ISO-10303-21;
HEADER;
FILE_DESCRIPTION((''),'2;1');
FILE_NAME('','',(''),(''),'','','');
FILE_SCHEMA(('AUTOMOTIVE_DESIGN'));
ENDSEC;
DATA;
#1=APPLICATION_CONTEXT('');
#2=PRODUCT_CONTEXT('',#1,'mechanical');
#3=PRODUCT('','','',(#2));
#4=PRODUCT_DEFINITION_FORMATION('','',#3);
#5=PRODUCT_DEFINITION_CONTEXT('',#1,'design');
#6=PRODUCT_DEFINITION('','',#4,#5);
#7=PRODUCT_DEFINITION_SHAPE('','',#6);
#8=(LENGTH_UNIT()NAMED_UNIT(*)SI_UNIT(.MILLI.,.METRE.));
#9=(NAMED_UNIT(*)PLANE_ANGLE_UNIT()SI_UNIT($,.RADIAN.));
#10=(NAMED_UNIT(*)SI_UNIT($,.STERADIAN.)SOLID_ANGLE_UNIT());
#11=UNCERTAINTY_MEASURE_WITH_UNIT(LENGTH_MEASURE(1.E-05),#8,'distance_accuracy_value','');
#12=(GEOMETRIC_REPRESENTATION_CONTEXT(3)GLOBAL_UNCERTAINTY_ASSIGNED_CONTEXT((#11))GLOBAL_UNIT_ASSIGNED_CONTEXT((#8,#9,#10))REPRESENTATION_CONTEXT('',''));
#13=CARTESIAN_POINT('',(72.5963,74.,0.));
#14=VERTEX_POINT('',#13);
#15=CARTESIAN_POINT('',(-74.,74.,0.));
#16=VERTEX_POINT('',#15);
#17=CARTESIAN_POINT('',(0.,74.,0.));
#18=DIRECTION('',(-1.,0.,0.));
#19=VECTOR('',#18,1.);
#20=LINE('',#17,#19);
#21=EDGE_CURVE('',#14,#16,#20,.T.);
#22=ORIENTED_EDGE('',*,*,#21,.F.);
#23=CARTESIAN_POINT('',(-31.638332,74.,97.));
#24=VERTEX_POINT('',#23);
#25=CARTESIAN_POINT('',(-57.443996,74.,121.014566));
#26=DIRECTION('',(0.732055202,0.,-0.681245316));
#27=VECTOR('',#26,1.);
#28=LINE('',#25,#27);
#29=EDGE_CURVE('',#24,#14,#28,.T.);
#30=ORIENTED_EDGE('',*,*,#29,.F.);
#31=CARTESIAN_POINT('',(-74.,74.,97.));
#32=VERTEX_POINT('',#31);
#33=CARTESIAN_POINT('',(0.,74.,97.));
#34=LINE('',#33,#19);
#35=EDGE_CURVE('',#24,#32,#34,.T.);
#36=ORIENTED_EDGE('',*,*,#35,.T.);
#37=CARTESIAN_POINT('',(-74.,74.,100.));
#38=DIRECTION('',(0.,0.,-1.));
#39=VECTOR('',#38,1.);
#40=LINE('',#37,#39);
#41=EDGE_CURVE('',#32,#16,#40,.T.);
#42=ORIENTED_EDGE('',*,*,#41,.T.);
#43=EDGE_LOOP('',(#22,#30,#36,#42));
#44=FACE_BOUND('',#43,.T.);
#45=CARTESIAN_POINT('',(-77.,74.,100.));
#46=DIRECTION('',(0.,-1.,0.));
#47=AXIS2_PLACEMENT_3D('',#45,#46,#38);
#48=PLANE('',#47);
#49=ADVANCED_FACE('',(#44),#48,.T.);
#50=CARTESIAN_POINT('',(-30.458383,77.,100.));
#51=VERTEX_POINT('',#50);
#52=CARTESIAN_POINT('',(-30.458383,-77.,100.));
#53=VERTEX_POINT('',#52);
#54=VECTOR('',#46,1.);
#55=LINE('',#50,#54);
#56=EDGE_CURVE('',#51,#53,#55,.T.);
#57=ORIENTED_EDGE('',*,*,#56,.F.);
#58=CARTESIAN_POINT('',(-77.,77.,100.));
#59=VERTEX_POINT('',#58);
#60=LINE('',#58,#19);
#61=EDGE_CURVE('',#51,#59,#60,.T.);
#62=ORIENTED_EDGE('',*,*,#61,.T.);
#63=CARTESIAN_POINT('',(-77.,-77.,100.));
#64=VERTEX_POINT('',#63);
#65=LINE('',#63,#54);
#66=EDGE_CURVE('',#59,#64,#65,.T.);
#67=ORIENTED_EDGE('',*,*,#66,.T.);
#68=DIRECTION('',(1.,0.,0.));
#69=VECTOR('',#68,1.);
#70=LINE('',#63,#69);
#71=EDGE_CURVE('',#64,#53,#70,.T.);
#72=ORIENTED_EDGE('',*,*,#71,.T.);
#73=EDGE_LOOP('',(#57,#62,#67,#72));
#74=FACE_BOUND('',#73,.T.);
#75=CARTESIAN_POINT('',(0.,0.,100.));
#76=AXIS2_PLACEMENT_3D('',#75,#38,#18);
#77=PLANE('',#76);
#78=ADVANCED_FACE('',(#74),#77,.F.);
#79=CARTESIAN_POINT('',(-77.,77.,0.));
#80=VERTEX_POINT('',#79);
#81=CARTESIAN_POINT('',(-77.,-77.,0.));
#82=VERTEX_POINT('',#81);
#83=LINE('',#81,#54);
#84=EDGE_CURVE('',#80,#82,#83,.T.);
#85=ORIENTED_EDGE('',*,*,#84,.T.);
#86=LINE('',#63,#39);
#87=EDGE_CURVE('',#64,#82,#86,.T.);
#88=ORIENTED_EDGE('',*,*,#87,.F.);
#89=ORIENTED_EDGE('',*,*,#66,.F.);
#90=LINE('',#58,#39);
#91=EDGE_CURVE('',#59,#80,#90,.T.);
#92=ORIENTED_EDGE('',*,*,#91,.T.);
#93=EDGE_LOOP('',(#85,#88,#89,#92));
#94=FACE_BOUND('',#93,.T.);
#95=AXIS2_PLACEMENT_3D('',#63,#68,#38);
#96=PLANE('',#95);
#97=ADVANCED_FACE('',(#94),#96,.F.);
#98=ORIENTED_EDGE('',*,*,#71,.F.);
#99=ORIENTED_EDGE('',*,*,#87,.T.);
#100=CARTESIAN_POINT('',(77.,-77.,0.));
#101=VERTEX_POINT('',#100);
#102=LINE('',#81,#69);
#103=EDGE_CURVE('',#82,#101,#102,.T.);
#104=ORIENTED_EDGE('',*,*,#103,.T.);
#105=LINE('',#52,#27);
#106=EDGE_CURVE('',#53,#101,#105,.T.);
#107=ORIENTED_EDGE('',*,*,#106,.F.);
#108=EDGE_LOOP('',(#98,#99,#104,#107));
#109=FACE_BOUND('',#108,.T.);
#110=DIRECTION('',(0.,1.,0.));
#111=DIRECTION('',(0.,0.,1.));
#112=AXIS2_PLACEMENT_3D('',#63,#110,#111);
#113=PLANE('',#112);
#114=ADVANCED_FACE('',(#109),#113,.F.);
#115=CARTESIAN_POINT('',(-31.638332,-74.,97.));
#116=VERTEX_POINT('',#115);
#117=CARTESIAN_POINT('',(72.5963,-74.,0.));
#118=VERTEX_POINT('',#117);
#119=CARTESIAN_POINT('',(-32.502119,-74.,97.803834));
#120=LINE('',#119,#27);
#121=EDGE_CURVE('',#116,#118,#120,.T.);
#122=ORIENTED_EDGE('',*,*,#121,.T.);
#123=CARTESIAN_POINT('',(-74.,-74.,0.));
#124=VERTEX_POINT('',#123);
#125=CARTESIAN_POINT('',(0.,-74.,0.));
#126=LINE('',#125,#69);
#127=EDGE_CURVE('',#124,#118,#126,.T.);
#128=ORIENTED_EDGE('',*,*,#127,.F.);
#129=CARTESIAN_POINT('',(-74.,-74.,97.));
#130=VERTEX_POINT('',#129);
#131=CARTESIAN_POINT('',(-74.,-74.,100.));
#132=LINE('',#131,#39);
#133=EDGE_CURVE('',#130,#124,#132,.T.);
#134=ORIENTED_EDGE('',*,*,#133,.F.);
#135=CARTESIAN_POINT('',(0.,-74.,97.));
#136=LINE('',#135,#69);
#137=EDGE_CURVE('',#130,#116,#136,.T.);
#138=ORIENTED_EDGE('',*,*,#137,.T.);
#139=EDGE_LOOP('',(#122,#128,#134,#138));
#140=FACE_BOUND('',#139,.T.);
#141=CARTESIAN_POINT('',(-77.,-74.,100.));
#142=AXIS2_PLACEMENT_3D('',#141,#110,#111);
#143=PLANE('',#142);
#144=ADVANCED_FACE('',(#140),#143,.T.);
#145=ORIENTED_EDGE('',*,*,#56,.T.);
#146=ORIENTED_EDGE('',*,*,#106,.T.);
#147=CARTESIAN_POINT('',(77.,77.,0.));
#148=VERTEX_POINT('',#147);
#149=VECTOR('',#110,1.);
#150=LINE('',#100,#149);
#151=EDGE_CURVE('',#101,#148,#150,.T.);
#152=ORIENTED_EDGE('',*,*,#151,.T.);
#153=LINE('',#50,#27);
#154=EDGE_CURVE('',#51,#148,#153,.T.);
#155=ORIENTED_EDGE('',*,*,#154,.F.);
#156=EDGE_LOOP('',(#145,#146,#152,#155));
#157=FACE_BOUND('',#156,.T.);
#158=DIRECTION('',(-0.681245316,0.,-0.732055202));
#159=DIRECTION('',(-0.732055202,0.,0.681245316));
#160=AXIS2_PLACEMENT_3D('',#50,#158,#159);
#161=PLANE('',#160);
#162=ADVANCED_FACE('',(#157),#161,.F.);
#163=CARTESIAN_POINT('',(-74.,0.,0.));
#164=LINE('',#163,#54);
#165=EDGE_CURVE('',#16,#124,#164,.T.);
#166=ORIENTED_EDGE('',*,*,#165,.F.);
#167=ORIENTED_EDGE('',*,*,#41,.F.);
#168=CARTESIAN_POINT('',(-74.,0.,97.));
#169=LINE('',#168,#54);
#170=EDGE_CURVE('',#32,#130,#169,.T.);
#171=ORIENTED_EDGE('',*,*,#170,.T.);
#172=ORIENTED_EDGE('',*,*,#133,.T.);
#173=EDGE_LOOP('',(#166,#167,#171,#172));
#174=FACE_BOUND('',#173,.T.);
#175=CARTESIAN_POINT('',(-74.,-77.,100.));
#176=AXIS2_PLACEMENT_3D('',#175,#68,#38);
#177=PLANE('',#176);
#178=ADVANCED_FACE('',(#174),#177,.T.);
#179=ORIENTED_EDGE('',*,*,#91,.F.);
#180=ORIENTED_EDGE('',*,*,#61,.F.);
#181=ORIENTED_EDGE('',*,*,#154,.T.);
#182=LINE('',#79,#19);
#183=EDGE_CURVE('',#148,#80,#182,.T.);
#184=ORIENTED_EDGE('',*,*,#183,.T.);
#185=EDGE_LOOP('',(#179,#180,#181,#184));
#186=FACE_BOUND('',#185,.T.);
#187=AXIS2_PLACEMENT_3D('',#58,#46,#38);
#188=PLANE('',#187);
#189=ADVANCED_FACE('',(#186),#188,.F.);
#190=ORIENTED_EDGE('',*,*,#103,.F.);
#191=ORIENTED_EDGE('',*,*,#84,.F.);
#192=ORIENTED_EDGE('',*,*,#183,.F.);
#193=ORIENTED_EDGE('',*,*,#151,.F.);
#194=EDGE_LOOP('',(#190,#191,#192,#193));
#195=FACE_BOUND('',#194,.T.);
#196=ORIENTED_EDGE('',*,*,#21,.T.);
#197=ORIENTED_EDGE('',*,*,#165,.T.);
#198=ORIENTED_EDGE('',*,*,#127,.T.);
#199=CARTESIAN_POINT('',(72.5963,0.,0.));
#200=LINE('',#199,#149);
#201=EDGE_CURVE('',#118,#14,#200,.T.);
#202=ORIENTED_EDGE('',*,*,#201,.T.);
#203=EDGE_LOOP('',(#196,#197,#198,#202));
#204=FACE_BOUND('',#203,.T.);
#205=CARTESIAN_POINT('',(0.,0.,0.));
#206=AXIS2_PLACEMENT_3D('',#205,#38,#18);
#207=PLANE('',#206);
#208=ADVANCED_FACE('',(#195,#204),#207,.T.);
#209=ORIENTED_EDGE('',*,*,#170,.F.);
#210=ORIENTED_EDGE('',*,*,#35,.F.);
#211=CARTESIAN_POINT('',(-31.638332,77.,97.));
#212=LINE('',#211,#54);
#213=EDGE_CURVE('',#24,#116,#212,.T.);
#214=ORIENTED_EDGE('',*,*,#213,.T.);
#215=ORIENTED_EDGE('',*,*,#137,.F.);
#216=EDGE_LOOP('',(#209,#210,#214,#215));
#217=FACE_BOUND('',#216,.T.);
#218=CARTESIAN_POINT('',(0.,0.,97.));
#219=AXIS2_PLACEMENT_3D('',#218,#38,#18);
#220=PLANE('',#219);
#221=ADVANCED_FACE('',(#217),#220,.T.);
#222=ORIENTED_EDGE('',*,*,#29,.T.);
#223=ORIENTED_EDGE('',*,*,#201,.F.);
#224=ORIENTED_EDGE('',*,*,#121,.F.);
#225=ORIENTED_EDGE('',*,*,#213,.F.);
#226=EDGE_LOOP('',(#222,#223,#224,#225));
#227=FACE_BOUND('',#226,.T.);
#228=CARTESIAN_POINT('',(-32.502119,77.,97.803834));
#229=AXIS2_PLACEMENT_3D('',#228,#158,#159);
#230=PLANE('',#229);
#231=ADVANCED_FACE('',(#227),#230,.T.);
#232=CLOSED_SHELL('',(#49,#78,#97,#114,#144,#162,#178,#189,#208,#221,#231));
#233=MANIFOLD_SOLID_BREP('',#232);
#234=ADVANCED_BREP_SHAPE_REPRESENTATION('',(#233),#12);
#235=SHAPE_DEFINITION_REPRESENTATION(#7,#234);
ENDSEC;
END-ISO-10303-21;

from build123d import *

# Parameters (mm, degrees)
ESQUISSE1_W             = 154
ESQUISSE1_H             = 154
BOSS_EXTRU_1_DEPTH      = 100
ENL_V_MAT_EXTRU_1_DEPTH = 200.110522073
COQUE2_T                = -3


with BuildPart() as part:
    # Esquisse1 → Boss.-Extru.1 (new body)
    with BuildSketch(Plane.XY):
        Rectangle(ESQUISSE1_W, ESQUISSE1_H)
    extrude(amount=BOSS_EXTRU_1_DEPTH)

    # Esquisse2 → Enlèv. mat.-Extru.1 (cut, through all)
    with BuildSketch(Plane.XZ.offset(77)):
        Polygon((-30.458383107, 100), (77, 0), (77, 100), align=None)
    extrude(amount=-ENL_V_MAT_EXTRU_1_DEPTH, mode=Mode.SUBTRACT)

    # Coque2
    coque2_openings = [part.faces().sort_by_distance(p)[0] for p in [
        (0, 0, 0),
    ]]
    offset(amount=COQUE2_T, openings=coque2_openings, kind=Kind.INTERSECTION)


solid = part.part
